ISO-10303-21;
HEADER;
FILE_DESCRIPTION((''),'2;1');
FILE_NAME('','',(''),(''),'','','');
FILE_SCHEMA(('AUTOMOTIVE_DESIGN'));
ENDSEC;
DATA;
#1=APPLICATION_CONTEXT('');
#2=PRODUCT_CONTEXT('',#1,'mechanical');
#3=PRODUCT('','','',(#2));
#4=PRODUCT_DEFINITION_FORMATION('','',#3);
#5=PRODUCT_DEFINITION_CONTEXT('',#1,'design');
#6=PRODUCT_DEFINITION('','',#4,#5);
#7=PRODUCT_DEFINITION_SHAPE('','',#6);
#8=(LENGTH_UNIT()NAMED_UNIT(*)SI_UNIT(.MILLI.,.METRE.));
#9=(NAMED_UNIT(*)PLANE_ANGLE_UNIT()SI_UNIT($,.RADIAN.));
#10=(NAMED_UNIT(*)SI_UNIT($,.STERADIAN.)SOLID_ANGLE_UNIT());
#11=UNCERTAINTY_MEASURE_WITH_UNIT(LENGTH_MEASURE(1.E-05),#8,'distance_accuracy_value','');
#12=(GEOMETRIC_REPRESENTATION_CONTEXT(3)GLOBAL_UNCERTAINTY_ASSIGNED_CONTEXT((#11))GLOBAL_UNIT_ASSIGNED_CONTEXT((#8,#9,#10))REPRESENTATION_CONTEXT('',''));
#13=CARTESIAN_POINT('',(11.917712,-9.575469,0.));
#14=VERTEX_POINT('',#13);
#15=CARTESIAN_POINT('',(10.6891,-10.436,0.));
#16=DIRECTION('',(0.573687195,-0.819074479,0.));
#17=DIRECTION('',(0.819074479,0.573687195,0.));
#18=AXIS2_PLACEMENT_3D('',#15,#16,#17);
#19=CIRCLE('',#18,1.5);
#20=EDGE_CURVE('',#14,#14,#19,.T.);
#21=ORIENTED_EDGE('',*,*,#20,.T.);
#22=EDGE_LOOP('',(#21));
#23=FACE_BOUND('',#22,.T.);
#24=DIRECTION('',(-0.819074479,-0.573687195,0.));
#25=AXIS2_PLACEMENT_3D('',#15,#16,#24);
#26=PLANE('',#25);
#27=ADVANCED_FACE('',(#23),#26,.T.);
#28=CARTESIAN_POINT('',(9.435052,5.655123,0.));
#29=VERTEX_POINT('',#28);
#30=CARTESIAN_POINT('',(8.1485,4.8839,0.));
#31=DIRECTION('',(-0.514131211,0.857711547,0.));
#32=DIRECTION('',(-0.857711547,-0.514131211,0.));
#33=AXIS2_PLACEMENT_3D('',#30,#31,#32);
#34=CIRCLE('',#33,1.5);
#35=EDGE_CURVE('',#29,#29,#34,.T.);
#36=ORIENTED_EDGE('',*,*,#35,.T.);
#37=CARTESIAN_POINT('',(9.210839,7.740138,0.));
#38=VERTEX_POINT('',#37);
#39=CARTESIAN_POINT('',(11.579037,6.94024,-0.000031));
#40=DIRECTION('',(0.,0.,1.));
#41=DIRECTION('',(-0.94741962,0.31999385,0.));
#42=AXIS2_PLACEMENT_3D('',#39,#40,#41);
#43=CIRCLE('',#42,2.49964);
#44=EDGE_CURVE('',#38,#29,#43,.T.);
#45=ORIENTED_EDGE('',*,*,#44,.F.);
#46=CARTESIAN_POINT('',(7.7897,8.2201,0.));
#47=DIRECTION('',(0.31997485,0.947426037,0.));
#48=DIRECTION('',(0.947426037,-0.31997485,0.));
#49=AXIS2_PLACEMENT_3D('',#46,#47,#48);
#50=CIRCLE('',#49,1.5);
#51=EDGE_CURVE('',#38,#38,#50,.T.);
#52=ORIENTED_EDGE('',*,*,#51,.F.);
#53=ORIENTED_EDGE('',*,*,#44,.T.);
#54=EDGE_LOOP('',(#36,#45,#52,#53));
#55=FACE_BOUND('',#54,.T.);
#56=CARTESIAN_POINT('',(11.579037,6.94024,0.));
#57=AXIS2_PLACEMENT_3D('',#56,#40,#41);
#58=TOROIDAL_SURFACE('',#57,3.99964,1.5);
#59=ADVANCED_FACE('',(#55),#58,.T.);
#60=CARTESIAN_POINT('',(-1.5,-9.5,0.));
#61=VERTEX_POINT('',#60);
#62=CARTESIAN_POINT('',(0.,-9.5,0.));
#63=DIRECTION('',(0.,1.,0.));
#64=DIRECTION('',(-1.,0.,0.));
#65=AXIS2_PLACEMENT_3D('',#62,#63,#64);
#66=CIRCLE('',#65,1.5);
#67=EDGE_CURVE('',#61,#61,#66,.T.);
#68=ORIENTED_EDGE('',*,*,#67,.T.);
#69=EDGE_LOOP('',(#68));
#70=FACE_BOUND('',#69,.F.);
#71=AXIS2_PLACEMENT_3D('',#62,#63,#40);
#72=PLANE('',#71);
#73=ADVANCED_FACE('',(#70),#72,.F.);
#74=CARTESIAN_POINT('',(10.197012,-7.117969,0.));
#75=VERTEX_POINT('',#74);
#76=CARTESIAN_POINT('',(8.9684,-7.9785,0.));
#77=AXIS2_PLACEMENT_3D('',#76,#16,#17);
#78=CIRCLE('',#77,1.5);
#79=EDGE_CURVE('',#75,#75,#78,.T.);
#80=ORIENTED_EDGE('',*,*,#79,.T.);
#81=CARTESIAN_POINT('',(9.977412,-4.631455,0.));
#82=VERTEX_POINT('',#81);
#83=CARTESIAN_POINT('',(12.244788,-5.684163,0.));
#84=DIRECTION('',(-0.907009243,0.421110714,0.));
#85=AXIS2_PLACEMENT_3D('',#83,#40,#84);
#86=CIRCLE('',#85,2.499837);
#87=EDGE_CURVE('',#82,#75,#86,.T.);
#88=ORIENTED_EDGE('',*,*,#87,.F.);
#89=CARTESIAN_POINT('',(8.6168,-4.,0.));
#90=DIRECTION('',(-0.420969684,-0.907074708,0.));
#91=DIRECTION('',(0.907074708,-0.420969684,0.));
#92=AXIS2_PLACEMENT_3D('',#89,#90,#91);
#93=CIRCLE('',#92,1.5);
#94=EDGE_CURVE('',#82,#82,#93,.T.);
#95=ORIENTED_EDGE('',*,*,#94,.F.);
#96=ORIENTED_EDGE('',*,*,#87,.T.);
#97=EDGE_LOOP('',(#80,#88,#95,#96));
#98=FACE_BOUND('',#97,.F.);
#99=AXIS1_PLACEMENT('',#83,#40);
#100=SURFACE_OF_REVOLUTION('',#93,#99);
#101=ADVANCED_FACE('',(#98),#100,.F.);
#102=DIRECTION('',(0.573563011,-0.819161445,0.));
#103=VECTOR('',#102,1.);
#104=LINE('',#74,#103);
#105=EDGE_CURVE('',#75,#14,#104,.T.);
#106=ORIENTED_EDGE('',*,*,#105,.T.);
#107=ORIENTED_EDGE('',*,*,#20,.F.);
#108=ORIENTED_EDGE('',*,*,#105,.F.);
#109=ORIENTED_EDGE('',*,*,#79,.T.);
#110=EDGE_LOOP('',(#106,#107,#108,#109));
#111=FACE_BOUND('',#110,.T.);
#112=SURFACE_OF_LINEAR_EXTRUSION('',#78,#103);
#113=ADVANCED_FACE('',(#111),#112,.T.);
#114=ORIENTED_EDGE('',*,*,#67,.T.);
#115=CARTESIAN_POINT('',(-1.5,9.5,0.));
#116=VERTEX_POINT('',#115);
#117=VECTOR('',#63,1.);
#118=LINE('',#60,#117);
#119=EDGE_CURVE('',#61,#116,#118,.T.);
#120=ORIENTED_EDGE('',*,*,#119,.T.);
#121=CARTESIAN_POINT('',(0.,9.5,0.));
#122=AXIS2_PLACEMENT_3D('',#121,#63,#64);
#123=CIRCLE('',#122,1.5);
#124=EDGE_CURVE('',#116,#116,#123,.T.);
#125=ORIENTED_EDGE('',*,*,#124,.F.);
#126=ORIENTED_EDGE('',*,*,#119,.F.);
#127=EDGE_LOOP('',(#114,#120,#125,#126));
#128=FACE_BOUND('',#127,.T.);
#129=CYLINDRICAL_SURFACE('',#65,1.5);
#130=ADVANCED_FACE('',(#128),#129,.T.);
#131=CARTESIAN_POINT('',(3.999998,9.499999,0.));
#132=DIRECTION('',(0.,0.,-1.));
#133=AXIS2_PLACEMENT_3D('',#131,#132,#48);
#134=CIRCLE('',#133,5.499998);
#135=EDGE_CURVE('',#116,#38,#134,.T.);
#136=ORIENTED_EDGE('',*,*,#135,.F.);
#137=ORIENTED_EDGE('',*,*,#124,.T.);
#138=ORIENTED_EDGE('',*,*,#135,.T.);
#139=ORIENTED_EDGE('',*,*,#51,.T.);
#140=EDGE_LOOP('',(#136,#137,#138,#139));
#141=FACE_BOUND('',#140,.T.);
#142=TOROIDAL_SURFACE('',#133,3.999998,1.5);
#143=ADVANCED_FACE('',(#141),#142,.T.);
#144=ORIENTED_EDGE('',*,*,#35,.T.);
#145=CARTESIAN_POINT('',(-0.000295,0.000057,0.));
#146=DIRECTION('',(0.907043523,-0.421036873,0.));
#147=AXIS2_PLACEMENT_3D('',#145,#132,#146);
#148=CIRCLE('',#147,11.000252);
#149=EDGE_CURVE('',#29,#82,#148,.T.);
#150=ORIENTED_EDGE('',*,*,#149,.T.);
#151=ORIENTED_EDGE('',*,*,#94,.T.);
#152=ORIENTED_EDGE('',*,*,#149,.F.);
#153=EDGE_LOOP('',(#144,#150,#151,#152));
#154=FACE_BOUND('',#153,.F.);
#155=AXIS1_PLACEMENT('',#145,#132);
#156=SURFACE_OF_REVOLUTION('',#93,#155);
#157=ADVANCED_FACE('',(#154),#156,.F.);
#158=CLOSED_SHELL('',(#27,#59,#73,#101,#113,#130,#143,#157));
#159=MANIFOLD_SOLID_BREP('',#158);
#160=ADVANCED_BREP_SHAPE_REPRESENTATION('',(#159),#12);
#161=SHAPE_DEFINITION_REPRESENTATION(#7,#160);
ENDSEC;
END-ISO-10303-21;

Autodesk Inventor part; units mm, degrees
ref_plane "YZ Plane" through (0, 0, 0) normal (1, 0, 0) x (0, 1, 0)
ref_plane "XZ Plane" through (0, 0, 0) normal (0, 1, 0) x (-1, 0, 0)
sketch "Sketch1" plane through (0, 0, 0) normal (0, 0, 1) x (1, 0, 0)
  line L0 (0, -9.5) -> (0, 9.5)
  arc A0 (7.7897, 8.2201) -> (0, 9.5) centre (4, 9.5) ccw
  circle A1 centre (0, 0) radius 9.5 construction
  arc A2 (7.7897, 8.2201) -> (8.1485, 4.8839) centre (11.5794, 6.9402) ccw
  arc A3 (8.6168, -4) -> (8.1485, 4.8839) centre (0, 0) ccw
  arc A4 (8.6168, -4) -> (8.9684, -7.9785) centre (12.245, -5.6842) ccw
  line L1 (8.9684, -7.9785) -> (10.6891, -10.436)
  circle A5 centre (0, 0) radius 8 construction
  dimension "d0" = 19
  dimension "d1" = 19
  dimension "d2" = 4
  dimension "d3" = 4
  dimension "d4" = 4
  dimension "d7" = 3
  dimension "d8" = 4
  dimension "d12" = 16
  dimension "d13" = 35
ref_plane "Work Plane1" through (0, -9.5, 0) normal (0, 1, 0) x (-1, 0, 0)
sketch "Sketch2" plane through (0, -9.5, 0) normal (0, 1, 0) x (-1, 0, 0)
  circle A0 centre (0, 0) radius 1.5
  point P0 (0, 0)
  dimension "d9" = 3
sweep "Sweep1" add profiles "Sketch2" path "Sketch1"
equation "\"d0\" = d1"
equation "\"d4\" = d2"
equation "\"d8\" = d3"
properties part number "PWTR-0114" material "Steel, High Strength, Low Alloy"
